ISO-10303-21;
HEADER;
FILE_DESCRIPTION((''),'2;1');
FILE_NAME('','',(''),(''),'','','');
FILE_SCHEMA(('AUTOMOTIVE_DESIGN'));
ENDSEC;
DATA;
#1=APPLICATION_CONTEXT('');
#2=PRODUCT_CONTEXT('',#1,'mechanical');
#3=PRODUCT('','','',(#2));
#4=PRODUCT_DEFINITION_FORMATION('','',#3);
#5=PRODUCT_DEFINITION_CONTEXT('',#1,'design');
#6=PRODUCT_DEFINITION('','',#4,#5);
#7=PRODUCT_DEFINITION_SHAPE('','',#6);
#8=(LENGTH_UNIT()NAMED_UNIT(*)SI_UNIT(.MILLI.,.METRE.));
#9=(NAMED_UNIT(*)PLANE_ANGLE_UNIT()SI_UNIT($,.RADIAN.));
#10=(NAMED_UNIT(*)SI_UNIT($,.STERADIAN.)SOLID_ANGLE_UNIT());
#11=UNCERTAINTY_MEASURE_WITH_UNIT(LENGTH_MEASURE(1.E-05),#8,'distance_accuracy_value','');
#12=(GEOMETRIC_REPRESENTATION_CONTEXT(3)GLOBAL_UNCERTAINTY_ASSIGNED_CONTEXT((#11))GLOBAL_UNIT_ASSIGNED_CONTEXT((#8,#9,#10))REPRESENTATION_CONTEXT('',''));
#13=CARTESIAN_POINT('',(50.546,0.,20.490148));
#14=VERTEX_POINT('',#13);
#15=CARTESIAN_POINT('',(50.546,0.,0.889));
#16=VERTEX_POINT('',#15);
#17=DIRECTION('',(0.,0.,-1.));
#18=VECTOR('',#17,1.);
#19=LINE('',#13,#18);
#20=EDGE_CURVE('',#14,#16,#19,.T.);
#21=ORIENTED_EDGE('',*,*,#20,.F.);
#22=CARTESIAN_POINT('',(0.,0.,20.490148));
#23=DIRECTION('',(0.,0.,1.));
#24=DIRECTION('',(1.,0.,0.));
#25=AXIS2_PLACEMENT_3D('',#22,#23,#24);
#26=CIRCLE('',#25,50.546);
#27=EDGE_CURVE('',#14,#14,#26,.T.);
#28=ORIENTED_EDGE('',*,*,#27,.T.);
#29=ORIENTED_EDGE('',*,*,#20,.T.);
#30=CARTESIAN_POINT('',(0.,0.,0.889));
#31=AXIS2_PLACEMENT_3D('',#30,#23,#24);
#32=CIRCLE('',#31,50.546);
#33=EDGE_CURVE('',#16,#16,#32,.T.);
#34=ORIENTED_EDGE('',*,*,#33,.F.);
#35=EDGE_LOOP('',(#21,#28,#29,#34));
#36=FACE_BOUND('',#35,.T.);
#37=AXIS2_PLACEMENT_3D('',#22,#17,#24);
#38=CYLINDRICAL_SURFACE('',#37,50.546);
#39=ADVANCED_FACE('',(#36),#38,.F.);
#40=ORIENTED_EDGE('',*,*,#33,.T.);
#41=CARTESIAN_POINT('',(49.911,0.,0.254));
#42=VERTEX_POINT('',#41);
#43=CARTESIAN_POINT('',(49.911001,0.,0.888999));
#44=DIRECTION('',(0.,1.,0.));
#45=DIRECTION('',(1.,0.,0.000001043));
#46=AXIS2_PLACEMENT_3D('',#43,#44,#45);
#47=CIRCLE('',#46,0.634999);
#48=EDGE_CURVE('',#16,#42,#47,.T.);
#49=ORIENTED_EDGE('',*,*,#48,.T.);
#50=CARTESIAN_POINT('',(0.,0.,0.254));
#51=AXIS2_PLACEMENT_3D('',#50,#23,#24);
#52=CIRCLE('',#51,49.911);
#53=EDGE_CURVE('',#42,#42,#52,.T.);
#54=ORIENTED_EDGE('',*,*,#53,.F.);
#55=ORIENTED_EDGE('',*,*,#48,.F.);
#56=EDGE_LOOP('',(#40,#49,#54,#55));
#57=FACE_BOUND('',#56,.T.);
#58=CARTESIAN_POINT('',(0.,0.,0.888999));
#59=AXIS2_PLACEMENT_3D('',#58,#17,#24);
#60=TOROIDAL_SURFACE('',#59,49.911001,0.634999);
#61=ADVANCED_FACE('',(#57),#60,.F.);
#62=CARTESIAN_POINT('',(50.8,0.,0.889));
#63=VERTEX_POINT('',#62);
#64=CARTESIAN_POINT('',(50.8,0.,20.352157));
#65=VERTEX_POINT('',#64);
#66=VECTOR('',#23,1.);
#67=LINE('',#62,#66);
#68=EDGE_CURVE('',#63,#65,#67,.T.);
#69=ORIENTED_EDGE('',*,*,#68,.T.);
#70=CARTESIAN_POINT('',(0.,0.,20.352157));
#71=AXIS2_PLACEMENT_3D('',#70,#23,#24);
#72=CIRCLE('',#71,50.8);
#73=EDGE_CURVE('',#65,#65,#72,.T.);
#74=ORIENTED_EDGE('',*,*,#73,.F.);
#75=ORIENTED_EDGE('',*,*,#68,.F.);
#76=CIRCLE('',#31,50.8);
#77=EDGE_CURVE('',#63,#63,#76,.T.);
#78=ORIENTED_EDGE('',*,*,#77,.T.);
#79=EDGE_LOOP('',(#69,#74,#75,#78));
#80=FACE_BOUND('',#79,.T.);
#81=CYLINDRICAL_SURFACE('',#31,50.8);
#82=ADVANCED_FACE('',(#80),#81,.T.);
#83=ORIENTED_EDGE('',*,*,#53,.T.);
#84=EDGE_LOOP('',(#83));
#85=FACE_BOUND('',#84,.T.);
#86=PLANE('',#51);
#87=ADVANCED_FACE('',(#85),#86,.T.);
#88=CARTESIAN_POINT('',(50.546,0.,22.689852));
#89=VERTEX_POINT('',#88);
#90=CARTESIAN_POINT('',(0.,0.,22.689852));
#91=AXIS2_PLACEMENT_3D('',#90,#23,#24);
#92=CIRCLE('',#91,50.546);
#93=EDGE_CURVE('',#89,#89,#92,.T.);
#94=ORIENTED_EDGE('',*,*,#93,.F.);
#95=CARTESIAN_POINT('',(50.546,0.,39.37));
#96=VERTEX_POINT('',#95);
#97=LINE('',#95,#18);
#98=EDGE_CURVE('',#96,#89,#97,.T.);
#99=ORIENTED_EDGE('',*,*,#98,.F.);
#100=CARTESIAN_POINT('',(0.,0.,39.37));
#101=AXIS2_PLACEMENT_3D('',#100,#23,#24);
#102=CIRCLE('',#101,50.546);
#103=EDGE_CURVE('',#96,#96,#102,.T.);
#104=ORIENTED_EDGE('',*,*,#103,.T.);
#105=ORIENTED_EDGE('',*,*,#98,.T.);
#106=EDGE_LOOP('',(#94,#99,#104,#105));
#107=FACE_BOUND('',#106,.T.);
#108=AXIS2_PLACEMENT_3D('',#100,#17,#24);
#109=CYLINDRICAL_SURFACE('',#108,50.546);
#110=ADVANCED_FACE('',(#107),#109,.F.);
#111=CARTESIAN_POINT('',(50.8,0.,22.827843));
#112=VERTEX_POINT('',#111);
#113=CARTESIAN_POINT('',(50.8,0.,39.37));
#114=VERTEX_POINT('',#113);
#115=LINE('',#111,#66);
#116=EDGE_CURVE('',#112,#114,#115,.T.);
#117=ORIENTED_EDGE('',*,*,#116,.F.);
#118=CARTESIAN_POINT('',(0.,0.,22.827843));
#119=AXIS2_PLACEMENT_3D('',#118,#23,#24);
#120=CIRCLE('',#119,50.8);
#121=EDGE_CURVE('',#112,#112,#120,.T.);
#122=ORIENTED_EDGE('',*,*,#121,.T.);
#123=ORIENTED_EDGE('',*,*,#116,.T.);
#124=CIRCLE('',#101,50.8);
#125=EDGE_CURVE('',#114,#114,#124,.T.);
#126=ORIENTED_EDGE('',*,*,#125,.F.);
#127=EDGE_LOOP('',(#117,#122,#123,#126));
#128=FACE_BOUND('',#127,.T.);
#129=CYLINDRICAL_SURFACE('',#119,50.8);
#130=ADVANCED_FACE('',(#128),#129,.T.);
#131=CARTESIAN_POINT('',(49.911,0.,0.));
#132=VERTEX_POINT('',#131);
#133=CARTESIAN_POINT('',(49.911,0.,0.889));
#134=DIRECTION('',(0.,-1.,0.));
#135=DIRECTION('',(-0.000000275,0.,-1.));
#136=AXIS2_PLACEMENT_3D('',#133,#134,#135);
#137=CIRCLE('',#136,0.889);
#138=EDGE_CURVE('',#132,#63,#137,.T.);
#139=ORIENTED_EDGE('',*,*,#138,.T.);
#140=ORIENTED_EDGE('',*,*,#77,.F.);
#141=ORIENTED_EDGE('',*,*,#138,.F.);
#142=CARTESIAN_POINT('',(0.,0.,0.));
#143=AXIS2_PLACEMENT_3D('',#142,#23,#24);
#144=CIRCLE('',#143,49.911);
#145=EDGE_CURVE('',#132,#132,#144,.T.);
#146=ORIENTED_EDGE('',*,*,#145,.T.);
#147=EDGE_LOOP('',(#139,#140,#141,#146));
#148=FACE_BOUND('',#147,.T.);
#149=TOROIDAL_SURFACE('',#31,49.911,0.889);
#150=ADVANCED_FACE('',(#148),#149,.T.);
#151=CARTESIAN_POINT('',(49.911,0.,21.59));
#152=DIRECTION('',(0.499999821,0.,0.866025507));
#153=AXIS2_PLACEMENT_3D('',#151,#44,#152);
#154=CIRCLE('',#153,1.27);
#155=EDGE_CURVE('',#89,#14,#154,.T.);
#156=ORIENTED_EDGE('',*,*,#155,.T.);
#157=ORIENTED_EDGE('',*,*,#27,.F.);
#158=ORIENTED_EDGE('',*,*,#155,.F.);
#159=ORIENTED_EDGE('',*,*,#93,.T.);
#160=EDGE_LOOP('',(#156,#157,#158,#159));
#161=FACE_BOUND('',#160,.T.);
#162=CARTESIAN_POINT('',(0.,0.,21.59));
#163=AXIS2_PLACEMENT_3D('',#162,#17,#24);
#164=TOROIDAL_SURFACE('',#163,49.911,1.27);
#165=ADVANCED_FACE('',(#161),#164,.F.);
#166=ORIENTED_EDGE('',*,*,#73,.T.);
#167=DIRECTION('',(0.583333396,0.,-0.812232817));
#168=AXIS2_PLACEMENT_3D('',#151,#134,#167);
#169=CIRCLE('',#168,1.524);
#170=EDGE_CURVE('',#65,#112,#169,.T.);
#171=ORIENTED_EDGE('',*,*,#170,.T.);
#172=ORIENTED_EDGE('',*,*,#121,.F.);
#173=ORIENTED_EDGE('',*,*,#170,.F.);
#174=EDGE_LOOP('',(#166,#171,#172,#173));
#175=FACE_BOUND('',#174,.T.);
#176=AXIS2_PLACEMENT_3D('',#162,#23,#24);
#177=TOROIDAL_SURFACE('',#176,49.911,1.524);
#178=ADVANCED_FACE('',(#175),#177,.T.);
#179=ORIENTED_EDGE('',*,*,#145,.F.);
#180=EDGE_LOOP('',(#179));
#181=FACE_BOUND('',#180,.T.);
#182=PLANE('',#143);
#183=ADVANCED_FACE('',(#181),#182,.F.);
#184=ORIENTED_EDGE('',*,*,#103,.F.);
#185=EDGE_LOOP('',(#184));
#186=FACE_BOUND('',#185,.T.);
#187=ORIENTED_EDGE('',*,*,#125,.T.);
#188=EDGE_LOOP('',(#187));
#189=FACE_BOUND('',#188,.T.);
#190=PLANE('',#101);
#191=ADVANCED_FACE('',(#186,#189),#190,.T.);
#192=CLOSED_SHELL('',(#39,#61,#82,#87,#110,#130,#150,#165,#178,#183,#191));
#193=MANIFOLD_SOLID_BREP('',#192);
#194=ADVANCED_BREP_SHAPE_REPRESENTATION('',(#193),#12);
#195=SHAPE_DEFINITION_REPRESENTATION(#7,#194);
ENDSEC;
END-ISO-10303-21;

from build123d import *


with BuildPart() as f1:
    # F0 (on Front) → F1 (revolve)
    with BuildSketch(Plane.XZ):
        with BuildLine():
            Line((0, 0.254), (0, 0))
            Line((0, 0), (49.911, 0))
            ThreePointArc((49.911, 0), (50.539618, 0.260382), (50.8, 0.889))
            Line((50.8, 0.889), (50.8, 20.352157))
            ThreePointArc((50.8, 20.352157), (51.435, 21.59), (50.8, 22.827843))
            Line((50.8, 22.827843), (50.8, 39.37))
            Line((50.8, 39.37), (50.546, 39.37))
            Line((50.546, 39.37), (50.546, 22.689852))
            ThreePointArc((50.546, 22.689852), (51.181, 21.59), (50.546, 20.490148))
            Line((50.546, 20.490148), (50.546, 0.889))
            ThreePointArc((50.546, 0.889), (50.360013, 0.439987), (49.911, 0.254))
            Line((49.911, 0.254), (0, 0.254))
        make_face()
    revolve(axis=Axis((0, 0, 21.369892), (0, 0, 1)))


solid = f1.part
